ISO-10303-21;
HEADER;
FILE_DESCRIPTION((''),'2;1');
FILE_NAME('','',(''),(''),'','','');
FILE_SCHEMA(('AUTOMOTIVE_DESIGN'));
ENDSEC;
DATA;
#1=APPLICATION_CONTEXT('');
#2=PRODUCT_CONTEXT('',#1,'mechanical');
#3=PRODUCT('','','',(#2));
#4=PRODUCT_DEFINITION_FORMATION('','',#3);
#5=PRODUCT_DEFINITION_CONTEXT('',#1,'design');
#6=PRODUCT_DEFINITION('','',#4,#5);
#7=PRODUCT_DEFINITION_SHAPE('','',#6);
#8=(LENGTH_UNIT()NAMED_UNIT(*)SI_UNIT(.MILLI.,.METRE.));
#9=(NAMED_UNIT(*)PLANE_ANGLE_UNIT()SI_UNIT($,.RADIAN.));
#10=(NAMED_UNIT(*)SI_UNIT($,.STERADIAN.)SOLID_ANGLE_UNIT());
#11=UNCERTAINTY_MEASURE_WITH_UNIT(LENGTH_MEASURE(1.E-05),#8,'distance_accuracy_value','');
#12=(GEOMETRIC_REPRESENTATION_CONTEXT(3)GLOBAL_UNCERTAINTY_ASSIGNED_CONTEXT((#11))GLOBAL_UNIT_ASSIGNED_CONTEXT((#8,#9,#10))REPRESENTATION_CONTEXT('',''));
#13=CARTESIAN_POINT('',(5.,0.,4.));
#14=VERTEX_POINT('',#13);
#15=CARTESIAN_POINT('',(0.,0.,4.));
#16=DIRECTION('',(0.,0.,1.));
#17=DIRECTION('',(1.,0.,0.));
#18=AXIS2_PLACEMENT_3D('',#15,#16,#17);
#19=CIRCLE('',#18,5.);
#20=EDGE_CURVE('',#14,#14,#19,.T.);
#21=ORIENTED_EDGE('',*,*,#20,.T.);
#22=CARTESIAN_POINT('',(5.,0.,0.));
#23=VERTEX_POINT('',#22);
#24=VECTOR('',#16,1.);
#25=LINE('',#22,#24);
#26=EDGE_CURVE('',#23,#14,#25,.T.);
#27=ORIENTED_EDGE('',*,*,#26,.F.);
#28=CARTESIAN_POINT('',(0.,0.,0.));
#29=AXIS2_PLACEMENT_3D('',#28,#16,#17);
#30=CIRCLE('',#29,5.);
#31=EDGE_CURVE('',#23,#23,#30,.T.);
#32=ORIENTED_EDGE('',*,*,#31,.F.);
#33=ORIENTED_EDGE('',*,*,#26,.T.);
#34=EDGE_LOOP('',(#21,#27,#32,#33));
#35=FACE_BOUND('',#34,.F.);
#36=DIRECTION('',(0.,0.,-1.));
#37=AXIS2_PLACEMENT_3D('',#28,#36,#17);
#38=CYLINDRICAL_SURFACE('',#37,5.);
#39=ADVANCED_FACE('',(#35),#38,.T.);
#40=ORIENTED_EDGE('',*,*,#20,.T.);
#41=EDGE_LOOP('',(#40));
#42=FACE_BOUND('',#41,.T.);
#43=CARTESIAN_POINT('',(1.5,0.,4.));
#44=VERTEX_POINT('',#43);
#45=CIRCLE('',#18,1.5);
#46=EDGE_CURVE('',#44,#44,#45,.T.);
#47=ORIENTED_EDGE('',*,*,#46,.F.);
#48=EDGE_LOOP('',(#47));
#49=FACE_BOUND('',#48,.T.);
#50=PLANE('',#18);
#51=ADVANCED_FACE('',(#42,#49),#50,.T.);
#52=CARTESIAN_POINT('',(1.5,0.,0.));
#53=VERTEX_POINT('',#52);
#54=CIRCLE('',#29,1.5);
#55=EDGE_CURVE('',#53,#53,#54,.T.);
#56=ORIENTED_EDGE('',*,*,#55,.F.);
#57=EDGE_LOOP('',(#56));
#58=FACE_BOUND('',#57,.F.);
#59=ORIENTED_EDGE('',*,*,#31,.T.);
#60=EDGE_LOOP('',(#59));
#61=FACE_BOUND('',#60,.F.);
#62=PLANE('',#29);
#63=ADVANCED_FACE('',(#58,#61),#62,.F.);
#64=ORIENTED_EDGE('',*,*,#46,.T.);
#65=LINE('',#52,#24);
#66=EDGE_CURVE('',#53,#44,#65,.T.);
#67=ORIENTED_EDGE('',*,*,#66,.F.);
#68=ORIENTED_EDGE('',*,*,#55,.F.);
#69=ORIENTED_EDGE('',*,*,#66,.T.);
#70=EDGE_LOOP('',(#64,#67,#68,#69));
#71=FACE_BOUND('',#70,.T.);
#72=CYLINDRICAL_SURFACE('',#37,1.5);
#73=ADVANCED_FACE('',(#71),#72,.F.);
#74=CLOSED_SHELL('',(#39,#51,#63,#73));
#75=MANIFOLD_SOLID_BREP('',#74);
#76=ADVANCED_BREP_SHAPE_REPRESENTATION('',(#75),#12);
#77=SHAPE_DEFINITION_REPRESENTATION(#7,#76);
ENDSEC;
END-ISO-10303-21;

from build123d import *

# Parameters (mm, degrees)
ESBO_O1_R                = 5
ESBO_O1_R_2              = 1.5
RESSALTO_EXTRUS_O1_DEPTH = 4


with BuildPart() as part:
    # Esboço1 → Ressalto-extrusão1 (new body)
    with BuildSketch(Plane.XY):
        Circle(ESBO_O1_R)
        Circle(ESBO_O1_R_2, mode=Mode.SUBTRACT)
    extrude(amount=RESSALTO_EXTRUS_O1_DEPTH)


solid = part.part
